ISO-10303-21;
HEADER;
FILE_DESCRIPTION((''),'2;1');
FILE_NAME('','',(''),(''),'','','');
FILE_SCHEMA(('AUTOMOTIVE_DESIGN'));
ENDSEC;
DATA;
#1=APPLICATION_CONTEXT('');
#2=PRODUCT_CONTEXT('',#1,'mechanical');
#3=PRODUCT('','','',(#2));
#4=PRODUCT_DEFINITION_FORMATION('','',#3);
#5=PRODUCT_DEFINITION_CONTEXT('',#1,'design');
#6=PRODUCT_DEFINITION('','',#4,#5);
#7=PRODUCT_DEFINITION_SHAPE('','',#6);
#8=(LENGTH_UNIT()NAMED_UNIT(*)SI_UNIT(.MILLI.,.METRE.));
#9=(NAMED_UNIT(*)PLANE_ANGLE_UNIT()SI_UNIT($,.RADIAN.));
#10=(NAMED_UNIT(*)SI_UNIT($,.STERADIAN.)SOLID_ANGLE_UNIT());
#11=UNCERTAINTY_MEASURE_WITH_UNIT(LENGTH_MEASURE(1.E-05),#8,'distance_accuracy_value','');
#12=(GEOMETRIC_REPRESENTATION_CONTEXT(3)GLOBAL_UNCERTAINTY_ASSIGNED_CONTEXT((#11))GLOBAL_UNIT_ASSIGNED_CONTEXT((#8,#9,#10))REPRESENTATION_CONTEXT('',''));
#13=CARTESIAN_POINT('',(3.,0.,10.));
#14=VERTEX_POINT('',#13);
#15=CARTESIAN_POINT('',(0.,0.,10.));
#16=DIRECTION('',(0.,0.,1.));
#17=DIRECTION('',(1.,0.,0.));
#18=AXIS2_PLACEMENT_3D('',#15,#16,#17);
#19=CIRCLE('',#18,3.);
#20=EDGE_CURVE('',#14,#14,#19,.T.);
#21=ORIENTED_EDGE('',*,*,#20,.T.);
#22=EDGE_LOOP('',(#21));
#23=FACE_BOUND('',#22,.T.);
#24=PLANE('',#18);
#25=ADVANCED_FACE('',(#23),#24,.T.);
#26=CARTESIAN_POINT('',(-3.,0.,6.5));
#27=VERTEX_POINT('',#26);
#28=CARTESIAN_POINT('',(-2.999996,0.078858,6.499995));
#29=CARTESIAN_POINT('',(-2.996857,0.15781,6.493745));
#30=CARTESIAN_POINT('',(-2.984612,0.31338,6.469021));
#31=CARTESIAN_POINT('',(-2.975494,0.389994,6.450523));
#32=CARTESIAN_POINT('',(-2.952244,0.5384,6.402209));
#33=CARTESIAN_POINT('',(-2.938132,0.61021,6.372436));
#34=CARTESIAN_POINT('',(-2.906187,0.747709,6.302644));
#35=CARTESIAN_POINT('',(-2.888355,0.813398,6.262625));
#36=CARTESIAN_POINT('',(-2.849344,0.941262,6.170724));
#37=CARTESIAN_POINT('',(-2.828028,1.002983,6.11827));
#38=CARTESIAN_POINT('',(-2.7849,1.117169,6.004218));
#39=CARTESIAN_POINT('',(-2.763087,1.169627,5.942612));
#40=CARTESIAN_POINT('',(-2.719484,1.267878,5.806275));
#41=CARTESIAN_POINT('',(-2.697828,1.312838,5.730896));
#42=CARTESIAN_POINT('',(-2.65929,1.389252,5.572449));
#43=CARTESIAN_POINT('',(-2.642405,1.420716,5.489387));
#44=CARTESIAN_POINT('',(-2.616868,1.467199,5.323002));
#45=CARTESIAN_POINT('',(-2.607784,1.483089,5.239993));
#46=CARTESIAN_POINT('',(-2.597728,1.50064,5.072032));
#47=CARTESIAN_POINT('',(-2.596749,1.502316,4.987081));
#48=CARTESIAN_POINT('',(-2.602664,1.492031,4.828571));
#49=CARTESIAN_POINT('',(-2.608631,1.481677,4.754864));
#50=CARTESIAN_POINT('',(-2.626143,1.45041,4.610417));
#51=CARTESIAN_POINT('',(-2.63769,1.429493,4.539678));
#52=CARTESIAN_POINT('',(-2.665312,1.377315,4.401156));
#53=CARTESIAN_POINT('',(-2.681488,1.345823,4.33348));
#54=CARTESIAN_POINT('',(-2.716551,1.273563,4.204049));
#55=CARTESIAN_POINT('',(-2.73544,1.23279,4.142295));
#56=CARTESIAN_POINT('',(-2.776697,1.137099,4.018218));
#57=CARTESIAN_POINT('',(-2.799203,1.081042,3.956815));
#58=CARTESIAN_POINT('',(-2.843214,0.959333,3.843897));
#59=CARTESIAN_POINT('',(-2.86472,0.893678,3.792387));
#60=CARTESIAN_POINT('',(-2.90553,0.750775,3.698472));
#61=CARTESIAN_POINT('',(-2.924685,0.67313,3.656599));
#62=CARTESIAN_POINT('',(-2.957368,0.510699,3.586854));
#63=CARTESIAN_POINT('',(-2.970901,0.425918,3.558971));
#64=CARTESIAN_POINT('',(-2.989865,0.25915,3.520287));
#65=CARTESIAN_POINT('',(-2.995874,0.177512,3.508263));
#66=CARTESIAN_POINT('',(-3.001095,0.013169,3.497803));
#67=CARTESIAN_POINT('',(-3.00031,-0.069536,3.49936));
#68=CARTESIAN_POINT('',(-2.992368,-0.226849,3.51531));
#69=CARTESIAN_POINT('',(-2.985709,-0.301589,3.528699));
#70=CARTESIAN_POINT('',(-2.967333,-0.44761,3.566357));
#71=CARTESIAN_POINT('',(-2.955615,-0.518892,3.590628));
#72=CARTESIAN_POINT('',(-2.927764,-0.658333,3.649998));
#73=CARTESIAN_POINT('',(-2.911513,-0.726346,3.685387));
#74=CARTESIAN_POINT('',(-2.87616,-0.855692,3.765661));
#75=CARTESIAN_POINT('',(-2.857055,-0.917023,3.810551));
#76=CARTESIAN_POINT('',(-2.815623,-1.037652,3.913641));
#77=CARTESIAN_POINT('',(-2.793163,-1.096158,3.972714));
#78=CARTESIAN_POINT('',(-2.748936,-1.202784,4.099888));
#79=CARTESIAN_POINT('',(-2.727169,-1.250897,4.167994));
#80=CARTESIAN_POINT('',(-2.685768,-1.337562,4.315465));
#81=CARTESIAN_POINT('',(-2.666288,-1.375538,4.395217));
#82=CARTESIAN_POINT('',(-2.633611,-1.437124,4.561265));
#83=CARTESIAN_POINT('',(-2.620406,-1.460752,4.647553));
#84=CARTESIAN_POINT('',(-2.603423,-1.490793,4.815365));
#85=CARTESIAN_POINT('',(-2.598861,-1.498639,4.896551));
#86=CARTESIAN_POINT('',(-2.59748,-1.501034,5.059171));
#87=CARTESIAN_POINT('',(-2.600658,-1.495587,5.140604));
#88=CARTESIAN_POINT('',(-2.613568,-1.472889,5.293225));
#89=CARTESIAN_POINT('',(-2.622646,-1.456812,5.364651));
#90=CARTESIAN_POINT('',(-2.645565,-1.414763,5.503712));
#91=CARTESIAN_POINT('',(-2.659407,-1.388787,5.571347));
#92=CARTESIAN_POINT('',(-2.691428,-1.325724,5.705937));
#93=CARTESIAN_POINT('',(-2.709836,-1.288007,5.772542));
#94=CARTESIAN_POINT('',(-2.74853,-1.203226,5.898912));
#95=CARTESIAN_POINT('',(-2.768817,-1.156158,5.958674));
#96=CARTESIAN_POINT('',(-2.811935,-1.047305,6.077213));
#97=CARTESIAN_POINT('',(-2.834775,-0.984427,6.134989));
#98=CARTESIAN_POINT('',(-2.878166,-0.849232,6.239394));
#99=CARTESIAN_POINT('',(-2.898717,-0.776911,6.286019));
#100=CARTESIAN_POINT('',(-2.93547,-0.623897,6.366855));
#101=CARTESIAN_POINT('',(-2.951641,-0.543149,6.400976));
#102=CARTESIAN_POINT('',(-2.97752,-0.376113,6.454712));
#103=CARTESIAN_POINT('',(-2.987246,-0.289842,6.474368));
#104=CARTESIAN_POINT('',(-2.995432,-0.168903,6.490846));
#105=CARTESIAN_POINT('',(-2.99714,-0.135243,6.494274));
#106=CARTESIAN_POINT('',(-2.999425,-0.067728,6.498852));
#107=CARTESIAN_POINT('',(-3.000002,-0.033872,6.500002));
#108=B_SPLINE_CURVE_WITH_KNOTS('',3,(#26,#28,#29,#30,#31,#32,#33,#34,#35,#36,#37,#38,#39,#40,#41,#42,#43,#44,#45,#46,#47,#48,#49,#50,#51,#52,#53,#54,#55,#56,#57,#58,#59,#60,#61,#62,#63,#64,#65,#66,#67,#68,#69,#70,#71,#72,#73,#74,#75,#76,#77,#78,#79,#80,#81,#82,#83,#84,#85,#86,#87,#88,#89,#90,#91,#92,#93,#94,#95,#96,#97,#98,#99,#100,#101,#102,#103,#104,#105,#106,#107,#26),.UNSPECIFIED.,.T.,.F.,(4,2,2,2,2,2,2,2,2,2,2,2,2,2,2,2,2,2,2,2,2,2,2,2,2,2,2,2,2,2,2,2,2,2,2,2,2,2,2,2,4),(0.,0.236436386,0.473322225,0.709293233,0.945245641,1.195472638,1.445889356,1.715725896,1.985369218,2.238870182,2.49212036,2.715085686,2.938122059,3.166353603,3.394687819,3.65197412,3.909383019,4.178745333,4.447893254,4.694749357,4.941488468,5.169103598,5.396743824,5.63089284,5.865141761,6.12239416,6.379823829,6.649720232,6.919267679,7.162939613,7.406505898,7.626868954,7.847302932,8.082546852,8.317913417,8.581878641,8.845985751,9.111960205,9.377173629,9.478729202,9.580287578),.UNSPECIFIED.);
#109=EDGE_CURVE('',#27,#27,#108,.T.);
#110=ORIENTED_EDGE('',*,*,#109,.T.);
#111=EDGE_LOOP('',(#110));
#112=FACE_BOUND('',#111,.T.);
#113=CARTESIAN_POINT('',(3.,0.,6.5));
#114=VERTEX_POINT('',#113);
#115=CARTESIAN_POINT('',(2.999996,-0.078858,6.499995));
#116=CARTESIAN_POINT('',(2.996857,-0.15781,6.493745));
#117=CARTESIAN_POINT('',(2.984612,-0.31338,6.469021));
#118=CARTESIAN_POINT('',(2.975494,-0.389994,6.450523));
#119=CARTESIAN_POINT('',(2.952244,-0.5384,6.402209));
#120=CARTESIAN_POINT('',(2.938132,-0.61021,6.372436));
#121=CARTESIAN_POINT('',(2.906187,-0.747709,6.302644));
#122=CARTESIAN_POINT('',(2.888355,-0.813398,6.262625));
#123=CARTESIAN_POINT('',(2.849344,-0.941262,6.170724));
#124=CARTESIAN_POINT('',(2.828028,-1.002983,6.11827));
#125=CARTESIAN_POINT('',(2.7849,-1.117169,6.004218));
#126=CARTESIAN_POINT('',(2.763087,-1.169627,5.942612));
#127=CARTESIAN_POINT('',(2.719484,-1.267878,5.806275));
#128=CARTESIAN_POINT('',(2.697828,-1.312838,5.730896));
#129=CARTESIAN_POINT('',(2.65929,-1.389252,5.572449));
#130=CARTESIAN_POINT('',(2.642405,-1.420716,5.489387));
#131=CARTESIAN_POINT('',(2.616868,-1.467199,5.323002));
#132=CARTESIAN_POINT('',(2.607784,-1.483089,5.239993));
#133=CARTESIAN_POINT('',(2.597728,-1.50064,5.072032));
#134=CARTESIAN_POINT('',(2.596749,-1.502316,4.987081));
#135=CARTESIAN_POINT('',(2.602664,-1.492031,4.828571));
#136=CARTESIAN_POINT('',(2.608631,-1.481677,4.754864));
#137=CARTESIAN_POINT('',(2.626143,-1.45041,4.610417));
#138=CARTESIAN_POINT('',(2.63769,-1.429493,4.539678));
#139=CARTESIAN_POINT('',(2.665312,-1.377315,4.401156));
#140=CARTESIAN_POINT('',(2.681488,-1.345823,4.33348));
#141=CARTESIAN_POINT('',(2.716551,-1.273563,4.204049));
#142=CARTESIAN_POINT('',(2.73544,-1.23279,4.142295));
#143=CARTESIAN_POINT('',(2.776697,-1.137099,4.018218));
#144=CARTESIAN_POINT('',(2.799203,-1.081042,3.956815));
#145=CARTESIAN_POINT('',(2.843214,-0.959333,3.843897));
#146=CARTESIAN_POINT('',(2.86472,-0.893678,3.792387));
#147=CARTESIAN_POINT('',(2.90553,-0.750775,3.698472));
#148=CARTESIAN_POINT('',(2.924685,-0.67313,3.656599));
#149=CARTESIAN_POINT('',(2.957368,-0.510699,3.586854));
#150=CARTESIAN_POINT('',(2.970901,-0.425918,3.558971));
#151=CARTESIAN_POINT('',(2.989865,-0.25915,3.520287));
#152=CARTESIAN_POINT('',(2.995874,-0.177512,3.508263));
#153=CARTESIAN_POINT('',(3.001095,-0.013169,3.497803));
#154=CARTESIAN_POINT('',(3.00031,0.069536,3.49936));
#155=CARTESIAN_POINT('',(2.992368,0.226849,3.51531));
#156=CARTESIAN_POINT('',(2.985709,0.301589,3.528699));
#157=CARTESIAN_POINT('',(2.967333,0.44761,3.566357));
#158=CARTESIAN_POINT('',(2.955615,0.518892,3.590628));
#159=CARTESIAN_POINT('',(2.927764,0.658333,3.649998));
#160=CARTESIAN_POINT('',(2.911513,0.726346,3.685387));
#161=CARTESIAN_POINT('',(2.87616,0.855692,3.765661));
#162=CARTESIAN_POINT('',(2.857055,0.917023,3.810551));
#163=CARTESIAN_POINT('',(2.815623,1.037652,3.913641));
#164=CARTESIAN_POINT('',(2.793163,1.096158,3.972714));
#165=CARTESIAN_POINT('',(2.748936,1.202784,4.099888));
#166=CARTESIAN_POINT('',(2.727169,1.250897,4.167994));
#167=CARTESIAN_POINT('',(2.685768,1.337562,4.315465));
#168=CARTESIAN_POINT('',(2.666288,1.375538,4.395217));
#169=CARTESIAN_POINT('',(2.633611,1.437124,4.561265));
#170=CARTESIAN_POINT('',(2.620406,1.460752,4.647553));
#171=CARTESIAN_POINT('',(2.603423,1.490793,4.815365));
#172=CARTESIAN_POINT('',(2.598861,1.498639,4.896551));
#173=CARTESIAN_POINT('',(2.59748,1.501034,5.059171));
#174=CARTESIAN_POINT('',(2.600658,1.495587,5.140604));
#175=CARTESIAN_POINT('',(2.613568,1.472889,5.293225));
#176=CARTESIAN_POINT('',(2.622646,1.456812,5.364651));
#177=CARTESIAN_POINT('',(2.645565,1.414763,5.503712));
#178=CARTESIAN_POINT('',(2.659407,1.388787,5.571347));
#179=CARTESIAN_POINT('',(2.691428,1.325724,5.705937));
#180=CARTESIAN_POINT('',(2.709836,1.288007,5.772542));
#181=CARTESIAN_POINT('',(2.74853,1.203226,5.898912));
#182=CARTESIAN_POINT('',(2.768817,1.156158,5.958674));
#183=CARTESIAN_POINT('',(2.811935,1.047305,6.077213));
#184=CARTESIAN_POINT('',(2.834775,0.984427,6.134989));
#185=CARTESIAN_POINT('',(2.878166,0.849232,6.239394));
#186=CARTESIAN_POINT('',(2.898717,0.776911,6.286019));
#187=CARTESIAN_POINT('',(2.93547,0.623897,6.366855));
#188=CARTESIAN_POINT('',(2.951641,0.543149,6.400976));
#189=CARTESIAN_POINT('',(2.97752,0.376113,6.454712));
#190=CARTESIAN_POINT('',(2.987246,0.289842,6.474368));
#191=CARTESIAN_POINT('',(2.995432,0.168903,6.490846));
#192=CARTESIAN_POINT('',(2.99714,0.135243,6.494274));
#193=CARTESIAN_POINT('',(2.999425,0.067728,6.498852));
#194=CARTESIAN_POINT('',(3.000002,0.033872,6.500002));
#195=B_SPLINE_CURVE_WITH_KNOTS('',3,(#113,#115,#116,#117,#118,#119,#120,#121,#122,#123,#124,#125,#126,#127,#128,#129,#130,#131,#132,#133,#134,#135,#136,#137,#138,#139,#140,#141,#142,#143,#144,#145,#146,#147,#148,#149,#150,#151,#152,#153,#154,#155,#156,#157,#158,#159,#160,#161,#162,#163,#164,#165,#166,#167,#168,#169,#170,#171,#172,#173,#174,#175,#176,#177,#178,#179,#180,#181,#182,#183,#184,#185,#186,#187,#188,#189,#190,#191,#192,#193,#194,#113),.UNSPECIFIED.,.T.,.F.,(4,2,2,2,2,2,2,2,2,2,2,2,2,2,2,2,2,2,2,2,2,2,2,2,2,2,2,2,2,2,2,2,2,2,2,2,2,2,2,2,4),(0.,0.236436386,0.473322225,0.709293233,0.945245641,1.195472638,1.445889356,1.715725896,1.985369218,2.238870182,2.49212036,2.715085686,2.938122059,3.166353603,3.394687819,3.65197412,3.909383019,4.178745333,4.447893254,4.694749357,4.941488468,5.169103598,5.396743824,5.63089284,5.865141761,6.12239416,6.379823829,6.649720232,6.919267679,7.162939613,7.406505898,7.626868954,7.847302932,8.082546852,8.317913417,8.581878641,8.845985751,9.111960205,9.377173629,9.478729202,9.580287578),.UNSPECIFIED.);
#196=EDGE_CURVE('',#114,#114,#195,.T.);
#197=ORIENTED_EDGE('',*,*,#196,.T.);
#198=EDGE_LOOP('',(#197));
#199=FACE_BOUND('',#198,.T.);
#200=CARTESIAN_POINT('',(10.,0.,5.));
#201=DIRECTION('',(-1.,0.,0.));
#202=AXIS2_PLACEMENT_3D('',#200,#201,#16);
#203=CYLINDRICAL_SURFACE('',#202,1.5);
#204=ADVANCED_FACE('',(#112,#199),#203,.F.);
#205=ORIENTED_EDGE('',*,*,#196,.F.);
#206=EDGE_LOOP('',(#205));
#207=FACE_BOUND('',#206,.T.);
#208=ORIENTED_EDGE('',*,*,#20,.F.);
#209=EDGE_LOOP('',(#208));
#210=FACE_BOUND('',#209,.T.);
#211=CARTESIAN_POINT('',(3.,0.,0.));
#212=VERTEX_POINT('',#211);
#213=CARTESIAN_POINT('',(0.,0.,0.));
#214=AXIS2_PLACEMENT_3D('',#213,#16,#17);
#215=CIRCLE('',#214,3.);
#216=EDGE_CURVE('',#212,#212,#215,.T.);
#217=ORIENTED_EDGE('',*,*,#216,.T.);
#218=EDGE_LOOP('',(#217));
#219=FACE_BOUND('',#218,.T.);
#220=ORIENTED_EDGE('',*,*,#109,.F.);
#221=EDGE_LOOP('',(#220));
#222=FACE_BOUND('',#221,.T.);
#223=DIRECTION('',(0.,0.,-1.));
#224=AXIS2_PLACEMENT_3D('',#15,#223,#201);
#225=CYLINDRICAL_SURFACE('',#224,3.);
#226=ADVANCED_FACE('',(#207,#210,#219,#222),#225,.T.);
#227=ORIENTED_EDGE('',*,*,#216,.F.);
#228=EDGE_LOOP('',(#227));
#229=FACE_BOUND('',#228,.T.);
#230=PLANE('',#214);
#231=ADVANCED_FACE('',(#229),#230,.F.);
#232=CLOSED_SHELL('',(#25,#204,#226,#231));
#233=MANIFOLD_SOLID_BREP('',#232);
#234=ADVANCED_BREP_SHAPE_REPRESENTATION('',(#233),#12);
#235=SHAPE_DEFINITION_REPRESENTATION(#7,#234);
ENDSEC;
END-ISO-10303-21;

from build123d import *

# Parameters (mm, degrees)
SKETCH1_R               = 3
BOSS_EXTRUDE1_DEPTH     = 10
CUT_EXTRUDE1_DEPTH      = 10
CUT_EXTRUDE1_DEPTH_BACK = 10
SKETCH2_R               = 1.5


with BuildPart() as part:
    # Sketch1 → Boss-Extrude1 (new body)
    with BuildSketch(Plane.XY):
        Circle(SKETCH1_R)
    extrude(amount=BOSS_EXTRUDE1_DEPTH)

    # Sketch2 → Cut-Extrude1 (cut, two sides: drawn at the far end of the back side and taken through both)
    with BuildSketch(Plane(origin=(0, 0, 0), x_dir=(0, 0, -1), z_dir=(1, 0, 0)).offset(-CUT_EXTRUDE1_DEPTH_BACK)):
        with Locations((-5, 0)):
            Circle(SKETCH2_R)
    extrude(amount=CUT_EXTRUDE1_DEPTH + CUT_EXTRUDE1_DEPTH_BACK, mode=Mode.SUBTRACT)


solid = part.part
